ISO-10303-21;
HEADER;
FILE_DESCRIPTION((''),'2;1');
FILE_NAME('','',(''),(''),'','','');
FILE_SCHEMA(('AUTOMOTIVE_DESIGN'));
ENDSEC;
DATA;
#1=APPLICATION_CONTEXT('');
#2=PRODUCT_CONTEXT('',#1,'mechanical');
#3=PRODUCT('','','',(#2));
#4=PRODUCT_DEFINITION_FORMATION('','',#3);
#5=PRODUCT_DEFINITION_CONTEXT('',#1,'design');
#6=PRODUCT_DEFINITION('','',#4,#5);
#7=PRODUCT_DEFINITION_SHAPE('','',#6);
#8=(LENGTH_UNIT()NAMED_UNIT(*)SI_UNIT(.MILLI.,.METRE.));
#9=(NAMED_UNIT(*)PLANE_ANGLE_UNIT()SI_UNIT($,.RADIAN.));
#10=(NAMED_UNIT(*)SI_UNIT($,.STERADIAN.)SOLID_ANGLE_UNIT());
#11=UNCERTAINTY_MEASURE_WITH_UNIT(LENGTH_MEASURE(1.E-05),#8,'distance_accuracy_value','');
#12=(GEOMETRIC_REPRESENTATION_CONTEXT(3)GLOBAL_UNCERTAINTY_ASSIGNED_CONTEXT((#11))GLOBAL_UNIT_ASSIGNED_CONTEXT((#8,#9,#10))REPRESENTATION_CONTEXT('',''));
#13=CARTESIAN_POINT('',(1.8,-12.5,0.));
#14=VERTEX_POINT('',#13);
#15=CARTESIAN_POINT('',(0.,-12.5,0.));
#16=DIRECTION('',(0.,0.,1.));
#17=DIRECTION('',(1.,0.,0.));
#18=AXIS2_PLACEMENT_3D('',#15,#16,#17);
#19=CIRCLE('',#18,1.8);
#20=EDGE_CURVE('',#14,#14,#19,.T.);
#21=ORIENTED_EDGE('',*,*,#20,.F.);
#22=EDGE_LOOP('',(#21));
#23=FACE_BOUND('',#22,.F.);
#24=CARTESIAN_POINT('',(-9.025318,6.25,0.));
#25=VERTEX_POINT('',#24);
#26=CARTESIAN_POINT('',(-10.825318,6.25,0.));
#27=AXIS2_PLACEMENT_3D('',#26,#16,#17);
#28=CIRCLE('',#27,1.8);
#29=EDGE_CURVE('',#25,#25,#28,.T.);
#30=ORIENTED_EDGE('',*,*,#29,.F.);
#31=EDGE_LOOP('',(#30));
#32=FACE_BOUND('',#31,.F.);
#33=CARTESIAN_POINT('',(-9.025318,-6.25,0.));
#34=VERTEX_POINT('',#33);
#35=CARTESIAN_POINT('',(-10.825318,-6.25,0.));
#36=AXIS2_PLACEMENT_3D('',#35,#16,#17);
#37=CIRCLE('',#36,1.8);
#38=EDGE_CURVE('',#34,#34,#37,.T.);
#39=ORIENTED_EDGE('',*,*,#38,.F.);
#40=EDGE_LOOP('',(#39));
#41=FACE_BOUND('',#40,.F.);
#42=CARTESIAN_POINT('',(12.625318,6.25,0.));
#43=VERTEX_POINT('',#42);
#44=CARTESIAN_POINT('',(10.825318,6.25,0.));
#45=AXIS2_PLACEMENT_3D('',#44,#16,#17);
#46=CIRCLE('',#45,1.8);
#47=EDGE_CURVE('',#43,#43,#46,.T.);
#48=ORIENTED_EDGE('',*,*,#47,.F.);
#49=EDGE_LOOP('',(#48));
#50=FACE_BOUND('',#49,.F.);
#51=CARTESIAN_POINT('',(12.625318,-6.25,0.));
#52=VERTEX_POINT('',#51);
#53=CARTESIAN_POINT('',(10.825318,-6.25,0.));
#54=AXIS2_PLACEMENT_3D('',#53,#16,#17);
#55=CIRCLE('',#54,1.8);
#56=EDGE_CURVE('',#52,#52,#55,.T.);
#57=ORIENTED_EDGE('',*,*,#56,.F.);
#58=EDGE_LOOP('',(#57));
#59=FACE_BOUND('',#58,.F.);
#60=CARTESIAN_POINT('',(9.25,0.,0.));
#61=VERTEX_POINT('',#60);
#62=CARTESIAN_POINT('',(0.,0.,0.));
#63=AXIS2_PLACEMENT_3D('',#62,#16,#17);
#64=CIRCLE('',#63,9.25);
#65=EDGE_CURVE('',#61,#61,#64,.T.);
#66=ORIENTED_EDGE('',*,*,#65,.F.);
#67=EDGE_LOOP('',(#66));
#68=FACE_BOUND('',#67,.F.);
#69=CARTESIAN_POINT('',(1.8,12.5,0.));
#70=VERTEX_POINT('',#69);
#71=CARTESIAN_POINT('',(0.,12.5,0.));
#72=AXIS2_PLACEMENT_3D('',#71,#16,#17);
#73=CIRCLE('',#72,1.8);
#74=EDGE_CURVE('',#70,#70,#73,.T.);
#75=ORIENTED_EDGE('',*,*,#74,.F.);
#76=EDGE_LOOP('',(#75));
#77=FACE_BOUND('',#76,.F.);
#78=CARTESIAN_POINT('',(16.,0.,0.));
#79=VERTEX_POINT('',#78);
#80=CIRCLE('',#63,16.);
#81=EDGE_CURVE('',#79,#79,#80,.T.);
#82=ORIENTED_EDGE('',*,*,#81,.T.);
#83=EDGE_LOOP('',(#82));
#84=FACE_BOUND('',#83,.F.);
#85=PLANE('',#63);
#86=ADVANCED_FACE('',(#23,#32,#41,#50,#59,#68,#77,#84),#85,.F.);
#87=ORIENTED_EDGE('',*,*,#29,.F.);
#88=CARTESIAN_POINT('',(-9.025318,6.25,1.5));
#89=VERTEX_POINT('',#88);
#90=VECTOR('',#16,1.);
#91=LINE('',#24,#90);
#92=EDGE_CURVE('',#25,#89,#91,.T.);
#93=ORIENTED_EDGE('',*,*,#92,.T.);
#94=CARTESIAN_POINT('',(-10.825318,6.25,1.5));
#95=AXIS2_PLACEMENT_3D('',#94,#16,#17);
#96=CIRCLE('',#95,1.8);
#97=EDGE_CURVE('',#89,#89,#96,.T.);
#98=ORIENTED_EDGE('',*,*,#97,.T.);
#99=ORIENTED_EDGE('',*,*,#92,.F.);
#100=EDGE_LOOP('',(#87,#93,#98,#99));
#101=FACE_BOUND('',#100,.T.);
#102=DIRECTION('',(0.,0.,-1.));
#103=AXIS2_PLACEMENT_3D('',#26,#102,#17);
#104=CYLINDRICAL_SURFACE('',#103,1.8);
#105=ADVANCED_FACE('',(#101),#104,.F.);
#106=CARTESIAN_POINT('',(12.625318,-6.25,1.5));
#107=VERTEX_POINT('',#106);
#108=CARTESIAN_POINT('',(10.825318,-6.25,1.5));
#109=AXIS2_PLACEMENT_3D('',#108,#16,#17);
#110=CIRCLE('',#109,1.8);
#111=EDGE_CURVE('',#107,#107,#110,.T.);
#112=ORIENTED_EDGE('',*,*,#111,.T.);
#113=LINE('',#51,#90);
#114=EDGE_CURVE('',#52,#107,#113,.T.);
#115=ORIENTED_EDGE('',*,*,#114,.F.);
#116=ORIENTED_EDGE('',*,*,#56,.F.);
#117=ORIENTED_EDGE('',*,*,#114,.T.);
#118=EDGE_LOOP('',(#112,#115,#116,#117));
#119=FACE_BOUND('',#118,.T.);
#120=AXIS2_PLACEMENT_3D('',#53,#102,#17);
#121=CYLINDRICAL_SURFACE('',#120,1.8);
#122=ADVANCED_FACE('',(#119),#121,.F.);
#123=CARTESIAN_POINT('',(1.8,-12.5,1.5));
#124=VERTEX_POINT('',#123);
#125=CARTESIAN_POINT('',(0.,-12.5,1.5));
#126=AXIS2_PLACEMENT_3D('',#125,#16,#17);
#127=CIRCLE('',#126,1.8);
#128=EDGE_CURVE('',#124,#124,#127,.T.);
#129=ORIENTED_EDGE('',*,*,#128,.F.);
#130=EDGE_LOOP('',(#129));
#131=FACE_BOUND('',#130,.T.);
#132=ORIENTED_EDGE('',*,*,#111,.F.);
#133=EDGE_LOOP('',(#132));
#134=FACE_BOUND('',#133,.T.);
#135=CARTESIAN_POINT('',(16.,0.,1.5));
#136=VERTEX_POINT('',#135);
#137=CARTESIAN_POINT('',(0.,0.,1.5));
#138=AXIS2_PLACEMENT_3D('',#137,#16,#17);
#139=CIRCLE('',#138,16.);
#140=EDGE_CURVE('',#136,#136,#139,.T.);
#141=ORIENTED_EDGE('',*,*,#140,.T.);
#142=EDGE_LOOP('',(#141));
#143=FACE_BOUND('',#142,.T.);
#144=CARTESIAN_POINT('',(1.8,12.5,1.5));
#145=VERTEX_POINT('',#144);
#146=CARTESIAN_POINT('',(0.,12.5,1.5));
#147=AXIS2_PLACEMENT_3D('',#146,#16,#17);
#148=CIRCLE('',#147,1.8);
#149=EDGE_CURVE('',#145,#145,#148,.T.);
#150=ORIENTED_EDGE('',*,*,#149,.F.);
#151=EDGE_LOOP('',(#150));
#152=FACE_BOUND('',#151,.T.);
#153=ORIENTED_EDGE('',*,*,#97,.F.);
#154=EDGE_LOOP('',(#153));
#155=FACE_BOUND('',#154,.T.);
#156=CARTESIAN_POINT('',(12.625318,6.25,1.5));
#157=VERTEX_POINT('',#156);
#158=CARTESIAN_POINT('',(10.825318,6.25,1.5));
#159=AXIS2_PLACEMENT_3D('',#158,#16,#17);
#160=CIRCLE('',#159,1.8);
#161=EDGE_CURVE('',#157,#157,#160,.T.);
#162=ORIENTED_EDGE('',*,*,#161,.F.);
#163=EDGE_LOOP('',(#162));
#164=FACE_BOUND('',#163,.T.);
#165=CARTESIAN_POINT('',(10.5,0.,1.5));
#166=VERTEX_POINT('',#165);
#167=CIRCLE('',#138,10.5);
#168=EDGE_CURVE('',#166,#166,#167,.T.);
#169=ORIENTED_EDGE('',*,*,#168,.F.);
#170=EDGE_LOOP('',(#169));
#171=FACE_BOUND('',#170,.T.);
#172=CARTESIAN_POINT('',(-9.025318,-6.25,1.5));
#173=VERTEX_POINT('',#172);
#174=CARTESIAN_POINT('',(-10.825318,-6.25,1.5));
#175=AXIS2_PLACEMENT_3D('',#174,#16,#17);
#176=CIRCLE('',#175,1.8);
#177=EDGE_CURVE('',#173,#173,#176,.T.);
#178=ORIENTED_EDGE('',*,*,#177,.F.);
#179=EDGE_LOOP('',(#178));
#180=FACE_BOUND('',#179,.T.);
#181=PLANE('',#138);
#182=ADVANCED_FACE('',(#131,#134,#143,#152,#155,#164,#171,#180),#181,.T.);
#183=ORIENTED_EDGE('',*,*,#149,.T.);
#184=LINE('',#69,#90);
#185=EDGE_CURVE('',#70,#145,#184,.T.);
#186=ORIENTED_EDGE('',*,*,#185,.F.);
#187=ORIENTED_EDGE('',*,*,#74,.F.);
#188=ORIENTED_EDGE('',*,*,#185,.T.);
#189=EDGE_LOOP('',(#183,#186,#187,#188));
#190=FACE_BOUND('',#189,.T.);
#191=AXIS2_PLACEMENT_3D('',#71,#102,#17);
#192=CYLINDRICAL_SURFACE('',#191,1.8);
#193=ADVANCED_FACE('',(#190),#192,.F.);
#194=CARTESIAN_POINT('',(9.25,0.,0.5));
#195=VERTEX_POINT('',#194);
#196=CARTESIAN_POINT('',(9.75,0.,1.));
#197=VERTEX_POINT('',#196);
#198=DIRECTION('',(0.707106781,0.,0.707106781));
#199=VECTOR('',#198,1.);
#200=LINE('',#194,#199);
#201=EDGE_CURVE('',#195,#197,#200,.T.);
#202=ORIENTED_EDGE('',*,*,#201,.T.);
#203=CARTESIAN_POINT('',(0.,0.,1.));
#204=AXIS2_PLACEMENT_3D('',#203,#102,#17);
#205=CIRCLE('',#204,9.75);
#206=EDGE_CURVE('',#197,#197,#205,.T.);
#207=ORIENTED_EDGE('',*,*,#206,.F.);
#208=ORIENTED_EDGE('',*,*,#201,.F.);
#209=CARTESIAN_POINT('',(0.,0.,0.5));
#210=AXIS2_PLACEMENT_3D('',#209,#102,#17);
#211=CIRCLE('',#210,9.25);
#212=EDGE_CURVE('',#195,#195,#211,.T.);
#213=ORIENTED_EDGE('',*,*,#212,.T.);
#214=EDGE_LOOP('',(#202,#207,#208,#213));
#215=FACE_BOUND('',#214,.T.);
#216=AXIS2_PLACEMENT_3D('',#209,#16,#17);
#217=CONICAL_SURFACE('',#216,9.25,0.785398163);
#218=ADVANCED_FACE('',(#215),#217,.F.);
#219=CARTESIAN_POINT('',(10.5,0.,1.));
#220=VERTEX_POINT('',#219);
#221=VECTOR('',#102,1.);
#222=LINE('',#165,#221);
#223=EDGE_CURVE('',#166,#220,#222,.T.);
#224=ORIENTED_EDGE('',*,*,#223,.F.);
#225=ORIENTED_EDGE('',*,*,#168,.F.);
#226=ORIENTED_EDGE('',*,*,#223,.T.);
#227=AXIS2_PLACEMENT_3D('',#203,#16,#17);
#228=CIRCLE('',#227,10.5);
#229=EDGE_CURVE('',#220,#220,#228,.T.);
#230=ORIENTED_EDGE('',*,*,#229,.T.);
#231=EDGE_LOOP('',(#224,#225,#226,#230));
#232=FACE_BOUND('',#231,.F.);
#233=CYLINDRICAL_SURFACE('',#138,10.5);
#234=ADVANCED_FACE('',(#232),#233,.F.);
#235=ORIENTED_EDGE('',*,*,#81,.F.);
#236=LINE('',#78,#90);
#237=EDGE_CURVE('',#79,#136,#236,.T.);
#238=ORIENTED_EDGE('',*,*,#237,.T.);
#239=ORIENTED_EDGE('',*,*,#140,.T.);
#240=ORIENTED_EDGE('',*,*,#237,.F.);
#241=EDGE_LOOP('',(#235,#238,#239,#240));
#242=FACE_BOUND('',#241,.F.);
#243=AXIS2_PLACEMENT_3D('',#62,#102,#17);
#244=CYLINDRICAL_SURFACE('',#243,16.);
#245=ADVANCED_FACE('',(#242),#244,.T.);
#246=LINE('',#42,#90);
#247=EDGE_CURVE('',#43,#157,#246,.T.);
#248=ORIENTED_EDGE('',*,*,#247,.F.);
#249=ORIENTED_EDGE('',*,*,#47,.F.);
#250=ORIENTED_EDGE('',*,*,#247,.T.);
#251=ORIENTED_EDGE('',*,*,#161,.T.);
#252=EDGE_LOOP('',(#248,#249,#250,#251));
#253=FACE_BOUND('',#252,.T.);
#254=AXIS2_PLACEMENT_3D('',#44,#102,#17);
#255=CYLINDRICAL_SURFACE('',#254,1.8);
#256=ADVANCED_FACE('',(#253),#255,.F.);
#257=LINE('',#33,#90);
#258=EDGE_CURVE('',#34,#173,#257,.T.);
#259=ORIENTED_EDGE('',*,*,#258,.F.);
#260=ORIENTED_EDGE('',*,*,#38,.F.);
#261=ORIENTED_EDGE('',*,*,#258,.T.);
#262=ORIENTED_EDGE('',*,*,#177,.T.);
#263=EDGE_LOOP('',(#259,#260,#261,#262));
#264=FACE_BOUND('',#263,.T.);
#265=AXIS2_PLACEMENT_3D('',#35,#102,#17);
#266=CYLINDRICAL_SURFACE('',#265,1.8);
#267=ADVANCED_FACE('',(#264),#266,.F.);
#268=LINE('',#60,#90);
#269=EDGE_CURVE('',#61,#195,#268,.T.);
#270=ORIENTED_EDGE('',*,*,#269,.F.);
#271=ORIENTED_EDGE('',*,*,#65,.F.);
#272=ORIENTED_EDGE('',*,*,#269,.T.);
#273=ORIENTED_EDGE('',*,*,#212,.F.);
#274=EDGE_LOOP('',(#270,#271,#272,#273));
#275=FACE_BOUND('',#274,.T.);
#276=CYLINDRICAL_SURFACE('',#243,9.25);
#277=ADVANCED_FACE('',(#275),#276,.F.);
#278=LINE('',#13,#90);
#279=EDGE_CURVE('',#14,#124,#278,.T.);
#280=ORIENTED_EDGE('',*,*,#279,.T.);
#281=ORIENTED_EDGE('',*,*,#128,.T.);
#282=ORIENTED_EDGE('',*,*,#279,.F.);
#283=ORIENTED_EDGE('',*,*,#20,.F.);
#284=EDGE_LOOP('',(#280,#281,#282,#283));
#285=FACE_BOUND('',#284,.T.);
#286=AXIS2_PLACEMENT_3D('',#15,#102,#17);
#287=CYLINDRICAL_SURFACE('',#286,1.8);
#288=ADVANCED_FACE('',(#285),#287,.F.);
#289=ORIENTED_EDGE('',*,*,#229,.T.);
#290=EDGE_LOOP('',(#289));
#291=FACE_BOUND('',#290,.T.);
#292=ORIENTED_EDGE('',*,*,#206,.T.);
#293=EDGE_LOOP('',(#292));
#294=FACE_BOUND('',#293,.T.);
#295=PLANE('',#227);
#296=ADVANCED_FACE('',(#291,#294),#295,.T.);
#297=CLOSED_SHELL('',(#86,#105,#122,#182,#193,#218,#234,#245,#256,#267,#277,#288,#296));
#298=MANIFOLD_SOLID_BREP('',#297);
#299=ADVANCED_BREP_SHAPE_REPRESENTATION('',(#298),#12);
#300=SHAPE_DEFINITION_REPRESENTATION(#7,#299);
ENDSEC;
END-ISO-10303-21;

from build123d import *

# Parameters (mm, degrees)
F0_R     = 16
F0_R_2   = 1.8
F0_R_3   = 9.25
F1_DEPTH = 1.5
F2_R     = 10.5
F3_DEPTH = 0.5
F4_SIZE  = 0.5


with BuildPart() as f1:
    # F0 (on Top) → F1 (new body)
    with BuildSketch(Plane.XY):
        Circle(F0_R)
        with Locations((-10.825318, -6.25)):
            Circle(F0_R_2, mode=Mode.SUBTRACT)
        with Locations((0, -12.5)):
            Circle(F0_R_2, mode=Mode.SUBTRACT)
        with Locations((10.825318, -6.25)):
            Circle(F0_R_2, mode=Mode.SUBTRACT)
        with Locations((-10.825318, 6.25)):
            Circle(F0_R_2, mode=Mode.SUBTRACT)
        Circle(F0_R_3, mode=Mode.SUBTRACT)
        with Locations((10.825318, 6.25)):
            Circle(F0_R_2, mode=Mode.SUBTRACT)
        with Locations((0, 12.5)):
            Circle(F0_R_2, mode=Mode.SUBTRACT)
    extrude(amount=F1_DEPTH)

    # F2 (on face) → F3 (cut)
    with BuildSketch(Plane.XY.offset(1.5)):
        Circle(F2_R)
    extrude(amount=-F3_DEPTH, mode=Mode.SUBTRACT)

    # F4
    f4_edges = [f1.edges().sort_by_distance(p)[0] for p in [
        (-9.25, 0, 1),
    ]]
    chamfer(f4_edges, length=F4_SIZE)


solid = f1.part
